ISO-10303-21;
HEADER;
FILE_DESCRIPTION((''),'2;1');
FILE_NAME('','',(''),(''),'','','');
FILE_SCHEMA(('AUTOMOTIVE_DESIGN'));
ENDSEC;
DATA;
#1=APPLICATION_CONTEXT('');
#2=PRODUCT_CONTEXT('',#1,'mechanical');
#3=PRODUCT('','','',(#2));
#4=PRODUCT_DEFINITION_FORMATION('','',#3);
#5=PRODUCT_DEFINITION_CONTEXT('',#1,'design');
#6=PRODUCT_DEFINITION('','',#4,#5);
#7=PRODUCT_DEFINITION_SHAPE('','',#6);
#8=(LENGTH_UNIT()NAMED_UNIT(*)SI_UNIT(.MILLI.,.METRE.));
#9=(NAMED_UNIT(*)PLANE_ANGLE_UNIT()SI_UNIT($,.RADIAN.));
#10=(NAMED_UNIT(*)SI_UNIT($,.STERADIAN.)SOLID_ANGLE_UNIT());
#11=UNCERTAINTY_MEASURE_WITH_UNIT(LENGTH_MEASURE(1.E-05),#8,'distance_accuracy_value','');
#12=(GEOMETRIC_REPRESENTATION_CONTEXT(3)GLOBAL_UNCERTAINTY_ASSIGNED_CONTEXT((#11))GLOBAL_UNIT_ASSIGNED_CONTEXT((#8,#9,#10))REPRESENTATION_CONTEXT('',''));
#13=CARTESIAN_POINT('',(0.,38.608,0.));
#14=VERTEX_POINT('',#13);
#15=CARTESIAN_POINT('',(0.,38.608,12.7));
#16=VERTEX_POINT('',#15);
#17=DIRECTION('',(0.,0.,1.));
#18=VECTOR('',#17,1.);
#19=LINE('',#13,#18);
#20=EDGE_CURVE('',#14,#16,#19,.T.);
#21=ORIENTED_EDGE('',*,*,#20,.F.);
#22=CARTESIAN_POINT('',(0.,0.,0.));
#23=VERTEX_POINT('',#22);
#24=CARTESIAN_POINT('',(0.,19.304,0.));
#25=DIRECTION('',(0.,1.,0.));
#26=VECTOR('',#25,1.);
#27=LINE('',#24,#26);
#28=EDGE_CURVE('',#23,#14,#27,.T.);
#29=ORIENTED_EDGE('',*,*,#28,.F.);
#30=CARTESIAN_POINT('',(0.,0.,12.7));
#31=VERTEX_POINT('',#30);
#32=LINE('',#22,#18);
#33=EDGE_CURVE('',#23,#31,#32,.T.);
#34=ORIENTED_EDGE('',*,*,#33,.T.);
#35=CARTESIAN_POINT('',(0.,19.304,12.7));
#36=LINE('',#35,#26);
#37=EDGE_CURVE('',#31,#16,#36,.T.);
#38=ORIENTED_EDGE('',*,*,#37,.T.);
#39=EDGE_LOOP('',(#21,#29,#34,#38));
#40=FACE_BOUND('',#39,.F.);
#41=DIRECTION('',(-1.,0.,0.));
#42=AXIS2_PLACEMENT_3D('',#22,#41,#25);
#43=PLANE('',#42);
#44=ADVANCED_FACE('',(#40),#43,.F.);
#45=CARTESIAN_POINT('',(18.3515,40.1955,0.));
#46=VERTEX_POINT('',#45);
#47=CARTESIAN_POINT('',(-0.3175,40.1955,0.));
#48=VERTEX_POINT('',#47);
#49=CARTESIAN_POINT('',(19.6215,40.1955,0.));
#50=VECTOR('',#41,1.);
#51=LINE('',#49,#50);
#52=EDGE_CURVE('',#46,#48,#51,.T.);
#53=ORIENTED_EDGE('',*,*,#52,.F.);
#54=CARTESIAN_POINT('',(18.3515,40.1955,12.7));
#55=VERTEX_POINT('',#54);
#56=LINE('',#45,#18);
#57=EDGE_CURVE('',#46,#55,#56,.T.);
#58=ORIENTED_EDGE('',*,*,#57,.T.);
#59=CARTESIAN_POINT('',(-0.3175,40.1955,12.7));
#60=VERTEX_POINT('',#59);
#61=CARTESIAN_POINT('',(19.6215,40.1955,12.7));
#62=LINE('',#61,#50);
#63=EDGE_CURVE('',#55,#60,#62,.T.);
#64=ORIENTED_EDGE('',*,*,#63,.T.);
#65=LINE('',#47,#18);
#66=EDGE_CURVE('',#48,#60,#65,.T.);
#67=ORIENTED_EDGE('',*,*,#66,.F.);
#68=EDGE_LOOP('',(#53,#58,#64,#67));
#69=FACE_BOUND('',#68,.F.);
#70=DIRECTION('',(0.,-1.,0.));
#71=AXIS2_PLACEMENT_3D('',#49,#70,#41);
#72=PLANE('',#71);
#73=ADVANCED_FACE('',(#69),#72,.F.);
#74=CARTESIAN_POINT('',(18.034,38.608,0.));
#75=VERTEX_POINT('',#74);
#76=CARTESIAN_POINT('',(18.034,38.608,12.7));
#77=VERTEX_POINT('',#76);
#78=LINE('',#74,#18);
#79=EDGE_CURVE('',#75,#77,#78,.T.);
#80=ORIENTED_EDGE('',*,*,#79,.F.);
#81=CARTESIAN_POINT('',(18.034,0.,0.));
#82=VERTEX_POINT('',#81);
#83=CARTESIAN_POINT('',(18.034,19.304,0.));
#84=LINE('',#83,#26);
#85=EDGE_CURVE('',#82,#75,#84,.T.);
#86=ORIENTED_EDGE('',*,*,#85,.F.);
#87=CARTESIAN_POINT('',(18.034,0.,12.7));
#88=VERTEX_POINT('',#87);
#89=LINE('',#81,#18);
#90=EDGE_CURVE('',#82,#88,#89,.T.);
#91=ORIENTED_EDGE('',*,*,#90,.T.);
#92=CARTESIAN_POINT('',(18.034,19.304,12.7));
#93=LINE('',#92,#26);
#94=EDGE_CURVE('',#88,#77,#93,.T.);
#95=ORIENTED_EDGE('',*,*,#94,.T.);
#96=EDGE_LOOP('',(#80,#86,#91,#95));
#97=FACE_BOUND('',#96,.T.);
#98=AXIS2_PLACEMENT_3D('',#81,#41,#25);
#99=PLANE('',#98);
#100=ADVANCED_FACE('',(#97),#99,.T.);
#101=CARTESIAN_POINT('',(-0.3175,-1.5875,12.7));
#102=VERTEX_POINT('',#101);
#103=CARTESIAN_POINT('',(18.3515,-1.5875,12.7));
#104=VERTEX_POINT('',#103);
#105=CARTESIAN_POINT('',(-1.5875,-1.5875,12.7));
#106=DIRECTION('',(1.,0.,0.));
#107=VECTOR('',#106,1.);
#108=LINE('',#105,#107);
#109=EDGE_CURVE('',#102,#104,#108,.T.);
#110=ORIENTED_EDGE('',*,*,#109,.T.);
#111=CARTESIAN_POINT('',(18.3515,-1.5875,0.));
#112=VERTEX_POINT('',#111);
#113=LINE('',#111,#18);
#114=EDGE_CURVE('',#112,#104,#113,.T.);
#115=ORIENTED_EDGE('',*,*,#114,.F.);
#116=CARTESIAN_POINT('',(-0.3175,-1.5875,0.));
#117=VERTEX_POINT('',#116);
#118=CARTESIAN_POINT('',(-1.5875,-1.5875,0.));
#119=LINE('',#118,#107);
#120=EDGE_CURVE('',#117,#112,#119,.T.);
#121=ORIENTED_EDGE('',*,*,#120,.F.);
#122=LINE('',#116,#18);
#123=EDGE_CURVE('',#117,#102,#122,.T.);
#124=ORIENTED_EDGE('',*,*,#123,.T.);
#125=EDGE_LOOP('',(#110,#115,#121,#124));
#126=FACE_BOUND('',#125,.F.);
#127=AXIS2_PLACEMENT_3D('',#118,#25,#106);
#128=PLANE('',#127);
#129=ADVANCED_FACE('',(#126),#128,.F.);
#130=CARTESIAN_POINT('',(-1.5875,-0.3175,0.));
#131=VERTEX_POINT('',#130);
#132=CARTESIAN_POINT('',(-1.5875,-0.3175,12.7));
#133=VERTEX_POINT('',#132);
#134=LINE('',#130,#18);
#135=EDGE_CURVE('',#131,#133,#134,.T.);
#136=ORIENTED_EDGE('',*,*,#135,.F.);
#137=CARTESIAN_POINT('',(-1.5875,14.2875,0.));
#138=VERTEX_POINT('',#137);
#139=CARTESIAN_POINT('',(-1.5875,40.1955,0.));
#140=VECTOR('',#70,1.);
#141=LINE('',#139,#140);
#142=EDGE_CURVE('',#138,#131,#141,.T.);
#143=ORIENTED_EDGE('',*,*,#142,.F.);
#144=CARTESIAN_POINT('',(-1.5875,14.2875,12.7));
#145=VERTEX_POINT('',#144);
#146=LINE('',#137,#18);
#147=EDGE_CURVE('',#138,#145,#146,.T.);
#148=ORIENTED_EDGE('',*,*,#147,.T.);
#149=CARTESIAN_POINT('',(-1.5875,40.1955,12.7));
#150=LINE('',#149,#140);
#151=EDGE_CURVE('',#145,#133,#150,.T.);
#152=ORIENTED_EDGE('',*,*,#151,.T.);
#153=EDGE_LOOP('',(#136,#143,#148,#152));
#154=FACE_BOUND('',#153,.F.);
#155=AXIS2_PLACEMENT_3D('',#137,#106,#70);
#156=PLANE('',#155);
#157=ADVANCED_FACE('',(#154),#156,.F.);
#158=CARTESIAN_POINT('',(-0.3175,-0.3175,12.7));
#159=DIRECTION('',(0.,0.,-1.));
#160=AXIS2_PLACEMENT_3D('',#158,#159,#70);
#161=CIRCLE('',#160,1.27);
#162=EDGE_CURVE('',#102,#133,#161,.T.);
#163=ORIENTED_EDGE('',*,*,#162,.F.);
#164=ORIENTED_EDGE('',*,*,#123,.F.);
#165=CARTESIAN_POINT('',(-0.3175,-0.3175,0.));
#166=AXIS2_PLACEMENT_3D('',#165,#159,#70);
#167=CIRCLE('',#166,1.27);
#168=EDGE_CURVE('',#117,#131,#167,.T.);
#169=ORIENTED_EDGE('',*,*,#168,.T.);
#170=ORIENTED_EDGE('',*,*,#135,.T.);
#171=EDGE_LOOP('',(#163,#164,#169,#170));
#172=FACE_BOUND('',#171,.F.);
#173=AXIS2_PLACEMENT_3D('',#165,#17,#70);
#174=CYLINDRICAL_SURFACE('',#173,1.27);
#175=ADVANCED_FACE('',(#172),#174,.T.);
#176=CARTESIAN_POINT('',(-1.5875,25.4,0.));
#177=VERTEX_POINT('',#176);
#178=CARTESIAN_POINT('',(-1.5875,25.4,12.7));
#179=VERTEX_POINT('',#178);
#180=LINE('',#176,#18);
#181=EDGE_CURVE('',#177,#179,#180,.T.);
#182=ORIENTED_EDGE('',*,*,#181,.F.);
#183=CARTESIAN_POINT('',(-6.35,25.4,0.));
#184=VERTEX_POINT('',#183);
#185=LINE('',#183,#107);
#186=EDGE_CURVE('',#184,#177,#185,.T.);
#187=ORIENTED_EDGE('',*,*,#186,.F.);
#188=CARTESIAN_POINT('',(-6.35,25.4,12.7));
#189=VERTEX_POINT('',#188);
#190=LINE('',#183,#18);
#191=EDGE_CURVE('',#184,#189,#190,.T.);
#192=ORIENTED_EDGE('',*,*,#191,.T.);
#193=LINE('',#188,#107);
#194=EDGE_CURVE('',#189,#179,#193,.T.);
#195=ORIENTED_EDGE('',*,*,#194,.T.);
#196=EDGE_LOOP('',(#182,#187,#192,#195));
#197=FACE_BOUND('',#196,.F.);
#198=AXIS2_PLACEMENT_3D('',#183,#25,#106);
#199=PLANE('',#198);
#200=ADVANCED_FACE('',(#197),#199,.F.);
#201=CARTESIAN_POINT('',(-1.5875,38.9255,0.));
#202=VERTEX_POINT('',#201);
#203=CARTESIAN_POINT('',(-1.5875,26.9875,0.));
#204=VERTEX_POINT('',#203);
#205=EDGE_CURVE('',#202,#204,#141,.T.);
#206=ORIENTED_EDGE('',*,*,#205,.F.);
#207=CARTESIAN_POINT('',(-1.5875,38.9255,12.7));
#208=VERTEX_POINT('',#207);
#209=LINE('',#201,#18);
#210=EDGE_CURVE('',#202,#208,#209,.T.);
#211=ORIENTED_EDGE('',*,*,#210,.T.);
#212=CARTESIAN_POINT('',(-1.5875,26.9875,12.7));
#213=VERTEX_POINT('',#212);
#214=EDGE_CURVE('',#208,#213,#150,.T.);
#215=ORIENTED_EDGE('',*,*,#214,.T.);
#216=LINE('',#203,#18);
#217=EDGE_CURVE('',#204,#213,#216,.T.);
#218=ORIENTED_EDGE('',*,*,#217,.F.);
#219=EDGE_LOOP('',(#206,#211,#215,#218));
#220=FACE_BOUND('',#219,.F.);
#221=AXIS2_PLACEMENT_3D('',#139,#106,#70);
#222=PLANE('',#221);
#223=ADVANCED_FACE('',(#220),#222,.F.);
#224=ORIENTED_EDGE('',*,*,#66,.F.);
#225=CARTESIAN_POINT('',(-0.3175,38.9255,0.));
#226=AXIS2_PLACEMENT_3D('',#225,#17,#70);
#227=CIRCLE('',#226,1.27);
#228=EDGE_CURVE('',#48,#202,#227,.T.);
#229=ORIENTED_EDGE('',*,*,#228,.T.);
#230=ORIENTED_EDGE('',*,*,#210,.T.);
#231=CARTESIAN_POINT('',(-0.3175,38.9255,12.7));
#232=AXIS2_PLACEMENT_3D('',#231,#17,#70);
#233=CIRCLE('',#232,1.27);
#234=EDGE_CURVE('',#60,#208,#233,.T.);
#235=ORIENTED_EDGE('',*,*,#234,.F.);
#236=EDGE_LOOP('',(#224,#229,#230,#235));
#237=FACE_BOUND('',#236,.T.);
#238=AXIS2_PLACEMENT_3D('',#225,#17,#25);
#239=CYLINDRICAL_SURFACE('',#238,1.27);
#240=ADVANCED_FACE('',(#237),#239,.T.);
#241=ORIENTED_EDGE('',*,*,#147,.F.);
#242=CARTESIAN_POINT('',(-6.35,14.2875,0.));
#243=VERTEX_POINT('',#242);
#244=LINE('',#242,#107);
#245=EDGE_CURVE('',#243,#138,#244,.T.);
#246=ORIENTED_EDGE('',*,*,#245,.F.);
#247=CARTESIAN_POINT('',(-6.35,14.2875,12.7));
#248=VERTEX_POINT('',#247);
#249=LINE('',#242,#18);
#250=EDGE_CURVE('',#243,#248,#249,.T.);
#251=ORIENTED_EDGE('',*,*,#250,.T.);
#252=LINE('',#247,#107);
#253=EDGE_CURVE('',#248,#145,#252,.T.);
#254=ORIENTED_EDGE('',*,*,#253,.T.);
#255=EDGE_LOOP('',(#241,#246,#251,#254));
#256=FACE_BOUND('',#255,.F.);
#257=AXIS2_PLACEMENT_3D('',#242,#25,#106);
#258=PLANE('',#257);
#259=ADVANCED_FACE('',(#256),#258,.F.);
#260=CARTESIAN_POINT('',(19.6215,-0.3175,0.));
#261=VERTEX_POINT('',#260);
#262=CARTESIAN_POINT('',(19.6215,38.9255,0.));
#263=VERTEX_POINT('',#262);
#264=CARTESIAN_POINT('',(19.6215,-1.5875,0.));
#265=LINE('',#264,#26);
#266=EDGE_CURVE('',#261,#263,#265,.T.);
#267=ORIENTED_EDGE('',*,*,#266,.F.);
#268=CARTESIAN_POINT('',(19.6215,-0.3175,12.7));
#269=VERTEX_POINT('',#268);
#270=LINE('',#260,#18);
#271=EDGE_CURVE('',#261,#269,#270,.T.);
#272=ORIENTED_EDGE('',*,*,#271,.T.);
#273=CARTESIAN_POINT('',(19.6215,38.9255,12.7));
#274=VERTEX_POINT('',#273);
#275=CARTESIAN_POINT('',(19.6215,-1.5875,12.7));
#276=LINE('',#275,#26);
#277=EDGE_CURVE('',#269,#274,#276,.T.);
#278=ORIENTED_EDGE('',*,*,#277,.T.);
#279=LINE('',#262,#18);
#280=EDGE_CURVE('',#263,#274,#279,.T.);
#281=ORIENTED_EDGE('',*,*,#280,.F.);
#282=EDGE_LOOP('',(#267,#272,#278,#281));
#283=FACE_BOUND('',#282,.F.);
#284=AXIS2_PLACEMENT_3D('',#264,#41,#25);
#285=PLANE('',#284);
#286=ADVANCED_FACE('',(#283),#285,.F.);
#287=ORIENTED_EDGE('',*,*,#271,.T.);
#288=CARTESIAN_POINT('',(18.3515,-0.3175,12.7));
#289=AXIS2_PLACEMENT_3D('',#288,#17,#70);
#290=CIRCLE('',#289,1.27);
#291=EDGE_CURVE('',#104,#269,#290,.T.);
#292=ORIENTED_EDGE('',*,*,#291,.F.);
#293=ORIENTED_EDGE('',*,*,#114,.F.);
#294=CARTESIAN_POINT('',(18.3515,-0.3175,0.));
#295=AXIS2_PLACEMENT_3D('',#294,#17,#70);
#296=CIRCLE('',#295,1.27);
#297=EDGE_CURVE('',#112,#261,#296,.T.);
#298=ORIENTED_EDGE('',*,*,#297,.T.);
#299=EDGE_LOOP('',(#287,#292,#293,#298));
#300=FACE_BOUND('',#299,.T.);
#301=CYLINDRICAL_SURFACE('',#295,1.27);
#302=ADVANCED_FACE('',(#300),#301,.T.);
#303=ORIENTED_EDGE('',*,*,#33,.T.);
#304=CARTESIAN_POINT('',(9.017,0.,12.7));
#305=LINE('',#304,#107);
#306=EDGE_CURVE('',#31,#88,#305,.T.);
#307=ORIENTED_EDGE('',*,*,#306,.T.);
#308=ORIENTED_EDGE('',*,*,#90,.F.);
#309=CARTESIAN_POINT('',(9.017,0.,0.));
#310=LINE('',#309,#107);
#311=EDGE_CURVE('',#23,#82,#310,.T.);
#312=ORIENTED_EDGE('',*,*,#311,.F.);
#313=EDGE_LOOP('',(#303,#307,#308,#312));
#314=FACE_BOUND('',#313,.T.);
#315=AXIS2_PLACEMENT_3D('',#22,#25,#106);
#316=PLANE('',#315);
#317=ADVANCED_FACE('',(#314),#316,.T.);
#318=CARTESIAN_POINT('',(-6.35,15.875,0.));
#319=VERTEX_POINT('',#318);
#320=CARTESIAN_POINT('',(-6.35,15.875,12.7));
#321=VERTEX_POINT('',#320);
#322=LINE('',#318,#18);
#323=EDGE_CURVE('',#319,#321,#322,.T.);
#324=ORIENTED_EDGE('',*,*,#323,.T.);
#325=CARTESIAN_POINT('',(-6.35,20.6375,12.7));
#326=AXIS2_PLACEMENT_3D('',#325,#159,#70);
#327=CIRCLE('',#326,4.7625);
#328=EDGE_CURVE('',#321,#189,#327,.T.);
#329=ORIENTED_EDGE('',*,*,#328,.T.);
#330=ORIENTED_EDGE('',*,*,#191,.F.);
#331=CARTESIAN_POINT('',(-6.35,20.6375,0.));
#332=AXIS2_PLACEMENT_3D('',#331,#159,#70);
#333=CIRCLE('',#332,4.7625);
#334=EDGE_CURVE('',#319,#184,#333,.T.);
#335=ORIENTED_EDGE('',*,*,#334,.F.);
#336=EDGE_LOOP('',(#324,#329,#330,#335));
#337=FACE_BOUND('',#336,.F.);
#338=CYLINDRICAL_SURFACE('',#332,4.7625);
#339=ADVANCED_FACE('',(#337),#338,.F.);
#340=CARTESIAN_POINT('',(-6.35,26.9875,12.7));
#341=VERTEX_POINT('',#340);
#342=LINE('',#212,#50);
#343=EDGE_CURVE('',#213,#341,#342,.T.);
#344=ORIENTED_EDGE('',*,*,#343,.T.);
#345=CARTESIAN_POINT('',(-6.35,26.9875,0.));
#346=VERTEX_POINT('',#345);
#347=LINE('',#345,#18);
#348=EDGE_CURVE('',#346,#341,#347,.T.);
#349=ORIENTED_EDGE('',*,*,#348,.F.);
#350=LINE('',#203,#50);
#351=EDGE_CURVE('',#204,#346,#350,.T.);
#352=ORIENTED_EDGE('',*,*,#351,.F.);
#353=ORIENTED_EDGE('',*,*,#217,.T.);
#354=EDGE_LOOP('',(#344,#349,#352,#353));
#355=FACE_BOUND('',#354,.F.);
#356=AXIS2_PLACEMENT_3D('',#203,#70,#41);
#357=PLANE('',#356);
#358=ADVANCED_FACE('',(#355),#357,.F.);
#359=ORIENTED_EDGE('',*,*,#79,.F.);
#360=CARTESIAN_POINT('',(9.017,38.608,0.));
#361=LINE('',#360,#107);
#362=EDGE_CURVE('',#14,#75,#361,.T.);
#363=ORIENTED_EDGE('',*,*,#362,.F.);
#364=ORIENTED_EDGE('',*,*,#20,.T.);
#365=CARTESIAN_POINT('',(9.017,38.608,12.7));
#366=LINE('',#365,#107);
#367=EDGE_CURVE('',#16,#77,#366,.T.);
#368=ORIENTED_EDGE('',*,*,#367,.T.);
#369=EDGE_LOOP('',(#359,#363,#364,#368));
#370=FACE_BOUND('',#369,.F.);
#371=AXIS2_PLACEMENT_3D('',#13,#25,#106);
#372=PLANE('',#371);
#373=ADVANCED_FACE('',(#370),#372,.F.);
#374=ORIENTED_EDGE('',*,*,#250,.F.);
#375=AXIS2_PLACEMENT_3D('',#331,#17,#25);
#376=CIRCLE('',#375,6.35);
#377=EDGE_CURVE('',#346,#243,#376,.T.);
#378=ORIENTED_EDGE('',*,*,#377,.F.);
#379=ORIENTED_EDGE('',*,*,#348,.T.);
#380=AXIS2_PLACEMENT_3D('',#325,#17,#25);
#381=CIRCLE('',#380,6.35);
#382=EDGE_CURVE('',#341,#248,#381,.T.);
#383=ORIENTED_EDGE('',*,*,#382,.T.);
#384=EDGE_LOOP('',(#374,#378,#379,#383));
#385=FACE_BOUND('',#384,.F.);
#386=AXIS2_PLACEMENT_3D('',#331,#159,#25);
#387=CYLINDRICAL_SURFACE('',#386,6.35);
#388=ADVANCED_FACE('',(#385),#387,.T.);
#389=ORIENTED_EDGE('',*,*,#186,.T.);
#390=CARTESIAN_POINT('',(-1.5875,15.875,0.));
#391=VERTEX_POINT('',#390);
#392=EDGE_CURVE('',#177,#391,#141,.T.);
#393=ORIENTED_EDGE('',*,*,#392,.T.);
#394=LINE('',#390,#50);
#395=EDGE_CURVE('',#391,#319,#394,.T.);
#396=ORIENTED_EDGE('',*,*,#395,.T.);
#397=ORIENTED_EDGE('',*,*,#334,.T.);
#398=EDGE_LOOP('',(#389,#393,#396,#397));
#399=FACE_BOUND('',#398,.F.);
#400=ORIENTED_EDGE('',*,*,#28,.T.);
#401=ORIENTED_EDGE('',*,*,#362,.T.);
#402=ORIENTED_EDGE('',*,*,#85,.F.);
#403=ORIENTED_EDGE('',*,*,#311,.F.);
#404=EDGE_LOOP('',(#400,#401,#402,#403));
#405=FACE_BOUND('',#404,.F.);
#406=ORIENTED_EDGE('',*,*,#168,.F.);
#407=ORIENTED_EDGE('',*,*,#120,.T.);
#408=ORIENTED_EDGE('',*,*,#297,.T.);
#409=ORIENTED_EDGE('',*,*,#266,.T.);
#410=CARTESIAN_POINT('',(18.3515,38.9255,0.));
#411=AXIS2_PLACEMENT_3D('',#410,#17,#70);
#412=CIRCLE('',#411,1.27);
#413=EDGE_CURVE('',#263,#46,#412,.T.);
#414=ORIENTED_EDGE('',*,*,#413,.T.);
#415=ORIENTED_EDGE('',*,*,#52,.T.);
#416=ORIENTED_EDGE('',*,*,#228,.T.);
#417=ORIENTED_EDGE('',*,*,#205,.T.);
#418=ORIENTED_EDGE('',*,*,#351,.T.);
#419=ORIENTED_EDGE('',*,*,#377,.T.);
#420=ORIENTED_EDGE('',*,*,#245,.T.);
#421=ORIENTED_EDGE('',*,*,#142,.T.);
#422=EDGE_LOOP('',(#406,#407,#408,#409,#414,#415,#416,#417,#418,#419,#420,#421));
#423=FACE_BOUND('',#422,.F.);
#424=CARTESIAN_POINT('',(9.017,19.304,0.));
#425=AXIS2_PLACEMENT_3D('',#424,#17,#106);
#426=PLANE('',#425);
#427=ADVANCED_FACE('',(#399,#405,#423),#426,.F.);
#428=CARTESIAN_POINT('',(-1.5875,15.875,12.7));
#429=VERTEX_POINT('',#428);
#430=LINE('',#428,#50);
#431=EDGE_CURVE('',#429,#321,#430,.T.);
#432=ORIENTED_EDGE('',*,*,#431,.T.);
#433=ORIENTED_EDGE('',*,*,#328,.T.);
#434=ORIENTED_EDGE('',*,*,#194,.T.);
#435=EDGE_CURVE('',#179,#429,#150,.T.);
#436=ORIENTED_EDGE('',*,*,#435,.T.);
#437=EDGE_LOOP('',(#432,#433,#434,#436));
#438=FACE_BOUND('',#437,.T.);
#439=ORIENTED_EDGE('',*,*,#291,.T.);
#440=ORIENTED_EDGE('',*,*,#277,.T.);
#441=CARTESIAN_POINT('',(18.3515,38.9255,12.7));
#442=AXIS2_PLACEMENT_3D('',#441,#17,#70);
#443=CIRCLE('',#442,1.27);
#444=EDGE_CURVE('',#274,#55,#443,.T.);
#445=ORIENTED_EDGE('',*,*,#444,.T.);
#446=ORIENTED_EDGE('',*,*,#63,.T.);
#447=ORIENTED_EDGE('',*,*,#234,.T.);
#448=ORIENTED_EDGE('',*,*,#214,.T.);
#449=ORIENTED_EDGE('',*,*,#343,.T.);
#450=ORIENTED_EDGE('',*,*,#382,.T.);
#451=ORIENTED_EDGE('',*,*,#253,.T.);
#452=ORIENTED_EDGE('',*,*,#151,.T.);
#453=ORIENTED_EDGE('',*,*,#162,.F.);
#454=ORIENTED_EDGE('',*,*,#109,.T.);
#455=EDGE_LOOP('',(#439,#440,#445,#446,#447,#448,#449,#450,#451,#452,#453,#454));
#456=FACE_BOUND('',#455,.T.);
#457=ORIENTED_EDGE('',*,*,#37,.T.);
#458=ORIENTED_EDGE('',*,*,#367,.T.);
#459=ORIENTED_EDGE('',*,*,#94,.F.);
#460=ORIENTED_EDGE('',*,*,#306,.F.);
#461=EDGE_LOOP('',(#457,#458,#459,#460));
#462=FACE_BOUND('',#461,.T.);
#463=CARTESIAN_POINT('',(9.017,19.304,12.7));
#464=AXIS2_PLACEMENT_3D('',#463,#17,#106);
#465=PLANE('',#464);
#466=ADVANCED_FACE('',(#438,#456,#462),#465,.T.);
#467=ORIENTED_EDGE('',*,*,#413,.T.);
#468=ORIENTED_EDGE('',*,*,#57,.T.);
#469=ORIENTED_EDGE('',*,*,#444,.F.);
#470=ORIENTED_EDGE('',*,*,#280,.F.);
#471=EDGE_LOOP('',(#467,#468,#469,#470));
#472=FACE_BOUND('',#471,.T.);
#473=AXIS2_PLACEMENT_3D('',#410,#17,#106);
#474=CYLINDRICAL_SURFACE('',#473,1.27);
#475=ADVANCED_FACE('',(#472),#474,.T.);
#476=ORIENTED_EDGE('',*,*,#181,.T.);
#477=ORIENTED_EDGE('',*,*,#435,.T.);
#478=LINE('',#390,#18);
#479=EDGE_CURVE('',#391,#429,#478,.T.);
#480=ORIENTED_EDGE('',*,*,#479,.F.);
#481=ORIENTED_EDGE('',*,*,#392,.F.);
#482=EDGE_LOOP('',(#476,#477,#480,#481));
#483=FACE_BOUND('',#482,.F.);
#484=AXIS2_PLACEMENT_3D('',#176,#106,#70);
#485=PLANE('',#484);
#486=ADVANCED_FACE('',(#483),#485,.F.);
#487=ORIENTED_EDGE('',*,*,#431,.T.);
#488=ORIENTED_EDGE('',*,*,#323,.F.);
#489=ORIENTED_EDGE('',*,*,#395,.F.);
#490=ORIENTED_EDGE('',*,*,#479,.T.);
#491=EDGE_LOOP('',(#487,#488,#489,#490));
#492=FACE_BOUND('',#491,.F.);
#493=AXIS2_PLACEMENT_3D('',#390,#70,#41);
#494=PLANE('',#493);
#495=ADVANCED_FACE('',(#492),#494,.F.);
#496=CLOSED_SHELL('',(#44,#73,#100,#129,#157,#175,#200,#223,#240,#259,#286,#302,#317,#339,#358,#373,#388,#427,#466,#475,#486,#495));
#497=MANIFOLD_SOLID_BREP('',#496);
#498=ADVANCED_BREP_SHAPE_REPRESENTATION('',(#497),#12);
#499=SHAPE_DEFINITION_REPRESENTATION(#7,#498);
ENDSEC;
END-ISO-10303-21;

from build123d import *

# Parameters (mm, degrees)
F0_W     = 18.034
F0_H     = 38.608
F1_DEPTH = 12.7
F2_R     = 1.27


with BuildPart() as f1:
    # F0 (on Top) → F1 (new body)
    with BuildSketch(Plane.XY):
        Polygon((-1.5875, 14.2875), (-1.5875, -1.5875), (19.6215, -1.5875), (19.6215, 40.1955), (-1.5875, 40.1955), (-1.5875, 26.9875), (-1.5875, 25.4), (-1.5875, 15.875), align=None)
        with Locations((9.017, 19.304)):
            Rectangle(F0_W, F0_H, mode=Mode.SUBTRACT)
        with BuildLine():
            Line((-6.35, 14.2875), (-1.5875, 14.2875))
            Line((-1.5875, 14.2875), (-1.5875, 15.875))
            Line((-1.5875, 15.875), (-6.35, 15.875))
            ThreePointArc((-6.35, 15.875), (-11.1125, 20.6375), (-6.35, 25.4))
            Line((-6.35, 25.4), (-1.5875, 25.4))
            Line((-1.5875, 25.4), (-1.5875, 26.9875))
            Line((-1.5875, 26.9875), (-6.35, 26.9875))
            ThreePointArc((-6.35, 26.9875), (-12.7, 20.6375), (-6.35, 14.2875))
        make_face()
    extrude(amount=F1_DEPTH)

    # F2
    f2_edges = [f1.edges().sort_by_distance(p)[0] for p in [
        (19.6215, -1.5875, 6.35),
        (-1.5875, -1.5875, 6.35),
        (-1.5875, 40.1955, 6.35),
        (19.6215, 40.1955, 6.35),
    ]]
    fillet(f2_edges, radius=F2_R)


solid = f1.part
